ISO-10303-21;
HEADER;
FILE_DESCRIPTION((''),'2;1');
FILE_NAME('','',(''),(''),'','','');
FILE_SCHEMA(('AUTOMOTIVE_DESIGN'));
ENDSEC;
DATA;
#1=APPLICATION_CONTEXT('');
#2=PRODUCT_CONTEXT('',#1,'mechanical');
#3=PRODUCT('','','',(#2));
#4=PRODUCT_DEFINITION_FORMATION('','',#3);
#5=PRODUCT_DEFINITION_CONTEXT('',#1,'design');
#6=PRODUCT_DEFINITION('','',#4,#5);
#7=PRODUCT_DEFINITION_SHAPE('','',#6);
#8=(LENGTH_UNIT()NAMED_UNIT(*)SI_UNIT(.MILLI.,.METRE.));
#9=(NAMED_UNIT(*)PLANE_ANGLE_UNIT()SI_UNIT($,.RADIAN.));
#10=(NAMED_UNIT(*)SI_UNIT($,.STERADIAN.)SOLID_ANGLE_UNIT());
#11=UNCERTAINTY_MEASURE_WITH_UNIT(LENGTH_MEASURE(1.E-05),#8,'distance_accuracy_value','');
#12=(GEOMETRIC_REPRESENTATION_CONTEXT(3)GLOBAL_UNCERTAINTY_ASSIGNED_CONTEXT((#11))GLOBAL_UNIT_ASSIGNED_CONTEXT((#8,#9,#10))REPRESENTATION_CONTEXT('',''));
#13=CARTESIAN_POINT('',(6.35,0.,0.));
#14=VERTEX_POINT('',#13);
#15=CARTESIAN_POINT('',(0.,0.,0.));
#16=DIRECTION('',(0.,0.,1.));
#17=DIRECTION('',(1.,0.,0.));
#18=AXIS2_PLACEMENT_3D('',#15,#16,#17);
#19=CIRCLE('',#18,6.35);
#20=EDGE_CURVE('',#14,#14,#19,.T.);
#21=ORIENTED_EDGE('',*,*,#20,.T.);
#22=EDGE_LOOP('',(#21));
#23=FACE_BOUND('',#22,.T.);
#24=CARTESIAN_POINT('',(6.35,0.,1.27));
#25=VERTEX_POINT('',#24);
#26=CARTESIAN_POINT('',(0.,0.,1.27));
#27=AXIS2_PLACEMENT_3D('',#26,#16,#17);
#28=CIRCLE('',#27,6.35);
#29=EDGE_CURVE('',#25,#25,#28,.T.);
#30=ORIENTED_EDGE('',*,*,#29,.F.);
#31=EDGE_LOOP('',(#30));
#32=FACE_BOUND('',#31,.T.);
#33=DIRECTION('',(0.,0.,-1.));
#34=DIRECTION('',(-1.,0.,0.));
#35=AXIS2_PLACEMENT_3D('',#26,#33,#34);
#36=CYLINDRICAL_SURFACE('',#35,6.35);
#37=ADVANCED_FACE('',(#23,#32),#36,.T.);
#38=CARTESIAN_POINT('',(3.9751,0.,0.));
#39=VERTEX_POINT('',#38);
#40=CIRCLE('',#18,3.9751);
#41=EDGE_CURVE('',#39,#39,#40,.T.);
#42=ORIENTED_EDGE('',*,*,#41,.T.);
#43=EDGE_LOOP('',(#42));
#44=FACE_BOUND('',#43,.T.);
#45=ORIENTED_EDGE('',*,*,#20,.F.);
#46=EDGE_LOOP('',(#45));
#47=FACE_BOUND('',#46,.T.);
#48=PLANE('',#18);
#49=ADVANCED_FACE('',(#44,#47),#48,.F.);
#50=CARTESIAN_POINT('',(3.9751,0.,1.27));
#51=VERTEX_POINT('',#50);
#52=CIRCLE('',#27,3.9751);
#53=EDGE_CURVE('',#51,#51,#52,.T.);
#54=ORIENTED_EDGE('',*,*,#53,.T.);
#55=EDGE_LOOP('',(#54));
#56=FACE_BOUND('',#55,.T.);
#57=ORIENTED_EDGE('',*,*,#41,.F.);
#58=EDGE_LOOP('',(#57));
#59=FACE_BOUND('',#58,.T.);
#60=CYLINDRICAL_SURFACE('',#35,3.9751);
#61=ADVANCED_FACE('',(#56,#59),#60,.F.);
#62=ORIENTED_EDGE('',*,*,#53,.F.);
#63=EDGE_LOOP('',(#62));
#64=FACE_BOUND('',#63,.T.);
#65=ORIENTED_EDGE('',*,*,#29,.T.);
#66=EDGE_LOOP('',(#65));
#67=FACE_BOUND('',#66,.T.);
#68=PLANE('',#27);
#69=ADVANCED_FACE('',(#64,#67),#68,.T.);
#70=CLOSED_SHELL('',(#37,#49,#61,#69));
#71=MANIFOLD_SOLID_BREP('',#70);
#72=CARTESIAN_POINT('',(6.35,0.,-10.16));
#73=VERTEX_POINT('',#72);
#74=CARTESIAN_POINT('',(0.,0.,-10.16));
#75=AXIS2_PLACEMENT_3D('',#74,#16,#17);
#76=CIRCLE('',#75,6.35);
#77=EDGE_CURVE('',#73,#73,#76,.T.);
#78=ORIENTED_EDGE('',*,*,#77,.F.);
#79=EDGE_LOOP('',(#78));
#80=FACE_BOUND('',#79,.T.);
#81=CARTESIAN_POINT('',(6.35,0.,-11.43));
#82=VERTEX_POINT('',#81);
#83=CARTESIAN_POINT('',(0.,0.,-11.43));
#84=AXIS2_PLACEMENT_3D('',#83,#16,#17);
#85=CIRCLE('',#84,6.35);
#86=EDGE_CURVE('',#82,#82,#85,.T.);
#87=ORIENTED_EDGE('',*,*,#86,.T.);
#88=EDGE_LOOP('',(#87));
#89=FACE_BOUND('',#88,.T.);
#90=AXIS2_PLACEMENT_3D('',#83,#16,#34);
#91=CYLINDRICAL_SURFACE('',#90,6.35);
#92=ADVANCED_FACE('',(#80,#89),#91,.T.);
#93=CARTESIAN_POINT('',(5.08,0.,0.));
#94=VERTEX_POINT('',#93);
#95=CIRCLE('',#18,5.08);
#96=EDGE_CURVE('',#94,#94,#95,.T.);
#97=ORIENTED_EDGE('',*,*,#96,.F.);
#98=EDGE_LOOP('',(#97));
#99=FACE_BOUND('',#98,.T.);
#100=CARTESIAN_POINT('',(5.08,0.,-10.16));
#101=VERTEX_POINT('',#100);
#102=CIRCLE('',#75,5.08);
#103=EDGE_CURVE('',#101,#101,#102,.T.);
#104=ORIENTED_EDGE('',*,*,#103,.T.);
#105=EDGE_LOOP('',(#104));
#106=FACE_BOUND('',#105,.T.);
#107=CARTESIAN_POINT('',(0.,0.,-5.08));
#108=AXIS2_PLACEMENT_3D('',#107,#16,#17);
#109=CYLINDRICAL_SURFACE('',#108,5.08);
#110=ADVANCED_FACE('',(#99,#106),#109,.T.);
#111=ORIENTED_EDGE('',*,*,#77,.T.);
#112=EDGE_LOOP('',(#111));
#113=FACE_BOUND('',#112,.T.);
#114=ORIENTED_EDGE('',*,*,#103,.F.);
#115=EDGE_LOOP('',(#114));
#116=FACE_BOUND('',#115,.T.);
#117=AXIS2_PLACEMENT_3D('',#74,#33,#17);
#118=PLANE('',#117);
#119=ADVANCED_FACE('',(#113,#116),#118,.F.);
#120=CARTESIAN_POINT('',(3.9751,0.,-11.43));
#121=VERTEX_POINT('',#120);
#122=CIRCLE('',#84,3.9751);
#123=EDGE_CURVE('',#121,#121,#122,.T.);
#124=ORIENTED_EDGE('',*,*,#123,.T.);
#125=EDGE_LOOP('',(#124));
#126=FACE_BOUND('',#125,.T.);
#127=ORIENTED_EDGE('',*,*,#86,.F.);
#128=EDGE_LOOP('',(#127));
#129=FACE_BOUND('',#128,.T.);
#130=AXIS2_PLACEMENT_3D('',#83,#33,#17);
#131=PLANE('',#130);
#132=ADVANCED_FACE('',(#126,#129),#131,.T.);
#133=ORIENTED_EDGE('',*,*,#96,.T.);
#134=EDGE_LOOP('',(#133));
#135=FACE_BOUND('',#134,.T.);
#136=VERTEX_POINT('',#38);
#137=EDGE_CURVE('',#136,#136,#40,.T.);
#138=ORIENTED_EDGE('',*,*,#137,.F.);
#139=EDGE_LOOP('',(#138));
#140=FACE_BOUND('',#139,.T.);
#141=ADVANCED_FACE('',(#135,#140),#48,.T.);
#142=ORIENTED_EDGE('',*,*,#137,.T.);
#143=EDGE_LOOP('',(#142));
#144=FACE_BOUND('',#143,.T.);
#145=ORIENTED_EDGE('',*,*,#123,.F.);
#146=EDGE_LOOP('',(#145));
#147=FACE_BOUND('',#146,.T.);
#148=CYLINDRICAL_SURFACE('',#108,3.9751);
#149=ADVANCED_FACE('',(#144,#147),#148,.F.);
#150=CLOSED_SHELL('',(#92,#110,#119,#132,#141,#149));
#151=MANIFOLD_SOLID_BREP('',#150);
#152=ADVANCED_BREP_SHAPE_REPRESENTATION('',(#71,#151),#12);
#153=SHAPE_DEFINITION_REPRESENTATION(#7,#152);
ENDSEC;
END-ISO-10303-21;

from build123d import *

# Parameters (mm, degrees)
SKETCH1_R           = 5.08
SKETCH1_R_2         = 3.9751
BOSS_EXTRUDE1_DEPTH = 5.08
SKETCH2_R           = 6.35
SKETCH2_R_2         = 3.9751
BOSS_EXTRUDE2_DEPTH = 1.27


with BuildPart() as part:
    # Sketch1 → Boss-Extrude1 (new body)
    with BuildSketch(Plane.XY):
        Circle(SKETCH1_R)
        Circle(SKETCH1_R_2, mode=Mode.SUBTRACT)
    boss_extrude1 = extrude(amount=-BOSS_EXTRUDE1_DEPTH)


with BuildPart() as body_2:
    # Sketch2 → Boss-Extrude2 (new body)
    with BuildSketch(Plane.XY):
        Circle(SKETCH2_R)
        Circle(SKETCH2_R_2, mode=Mode.SUBTRACT)
    boss_extrude2 = extrude(amount=BOSS_EXTRUDE2_DEPTH)


with BuildPart() as part_1:
    add(part.part)

    # Mirror1: Boss-Extrude1, Boss-Extrude2 across plane
    add(boss_extrude1.mirror(Plane.XY.offset(-5.08)))
    add(boss_extrude2.mirror(Plane.XY.offset(-5.08)))


solid = Compound([body_2.part, part_1.part])
